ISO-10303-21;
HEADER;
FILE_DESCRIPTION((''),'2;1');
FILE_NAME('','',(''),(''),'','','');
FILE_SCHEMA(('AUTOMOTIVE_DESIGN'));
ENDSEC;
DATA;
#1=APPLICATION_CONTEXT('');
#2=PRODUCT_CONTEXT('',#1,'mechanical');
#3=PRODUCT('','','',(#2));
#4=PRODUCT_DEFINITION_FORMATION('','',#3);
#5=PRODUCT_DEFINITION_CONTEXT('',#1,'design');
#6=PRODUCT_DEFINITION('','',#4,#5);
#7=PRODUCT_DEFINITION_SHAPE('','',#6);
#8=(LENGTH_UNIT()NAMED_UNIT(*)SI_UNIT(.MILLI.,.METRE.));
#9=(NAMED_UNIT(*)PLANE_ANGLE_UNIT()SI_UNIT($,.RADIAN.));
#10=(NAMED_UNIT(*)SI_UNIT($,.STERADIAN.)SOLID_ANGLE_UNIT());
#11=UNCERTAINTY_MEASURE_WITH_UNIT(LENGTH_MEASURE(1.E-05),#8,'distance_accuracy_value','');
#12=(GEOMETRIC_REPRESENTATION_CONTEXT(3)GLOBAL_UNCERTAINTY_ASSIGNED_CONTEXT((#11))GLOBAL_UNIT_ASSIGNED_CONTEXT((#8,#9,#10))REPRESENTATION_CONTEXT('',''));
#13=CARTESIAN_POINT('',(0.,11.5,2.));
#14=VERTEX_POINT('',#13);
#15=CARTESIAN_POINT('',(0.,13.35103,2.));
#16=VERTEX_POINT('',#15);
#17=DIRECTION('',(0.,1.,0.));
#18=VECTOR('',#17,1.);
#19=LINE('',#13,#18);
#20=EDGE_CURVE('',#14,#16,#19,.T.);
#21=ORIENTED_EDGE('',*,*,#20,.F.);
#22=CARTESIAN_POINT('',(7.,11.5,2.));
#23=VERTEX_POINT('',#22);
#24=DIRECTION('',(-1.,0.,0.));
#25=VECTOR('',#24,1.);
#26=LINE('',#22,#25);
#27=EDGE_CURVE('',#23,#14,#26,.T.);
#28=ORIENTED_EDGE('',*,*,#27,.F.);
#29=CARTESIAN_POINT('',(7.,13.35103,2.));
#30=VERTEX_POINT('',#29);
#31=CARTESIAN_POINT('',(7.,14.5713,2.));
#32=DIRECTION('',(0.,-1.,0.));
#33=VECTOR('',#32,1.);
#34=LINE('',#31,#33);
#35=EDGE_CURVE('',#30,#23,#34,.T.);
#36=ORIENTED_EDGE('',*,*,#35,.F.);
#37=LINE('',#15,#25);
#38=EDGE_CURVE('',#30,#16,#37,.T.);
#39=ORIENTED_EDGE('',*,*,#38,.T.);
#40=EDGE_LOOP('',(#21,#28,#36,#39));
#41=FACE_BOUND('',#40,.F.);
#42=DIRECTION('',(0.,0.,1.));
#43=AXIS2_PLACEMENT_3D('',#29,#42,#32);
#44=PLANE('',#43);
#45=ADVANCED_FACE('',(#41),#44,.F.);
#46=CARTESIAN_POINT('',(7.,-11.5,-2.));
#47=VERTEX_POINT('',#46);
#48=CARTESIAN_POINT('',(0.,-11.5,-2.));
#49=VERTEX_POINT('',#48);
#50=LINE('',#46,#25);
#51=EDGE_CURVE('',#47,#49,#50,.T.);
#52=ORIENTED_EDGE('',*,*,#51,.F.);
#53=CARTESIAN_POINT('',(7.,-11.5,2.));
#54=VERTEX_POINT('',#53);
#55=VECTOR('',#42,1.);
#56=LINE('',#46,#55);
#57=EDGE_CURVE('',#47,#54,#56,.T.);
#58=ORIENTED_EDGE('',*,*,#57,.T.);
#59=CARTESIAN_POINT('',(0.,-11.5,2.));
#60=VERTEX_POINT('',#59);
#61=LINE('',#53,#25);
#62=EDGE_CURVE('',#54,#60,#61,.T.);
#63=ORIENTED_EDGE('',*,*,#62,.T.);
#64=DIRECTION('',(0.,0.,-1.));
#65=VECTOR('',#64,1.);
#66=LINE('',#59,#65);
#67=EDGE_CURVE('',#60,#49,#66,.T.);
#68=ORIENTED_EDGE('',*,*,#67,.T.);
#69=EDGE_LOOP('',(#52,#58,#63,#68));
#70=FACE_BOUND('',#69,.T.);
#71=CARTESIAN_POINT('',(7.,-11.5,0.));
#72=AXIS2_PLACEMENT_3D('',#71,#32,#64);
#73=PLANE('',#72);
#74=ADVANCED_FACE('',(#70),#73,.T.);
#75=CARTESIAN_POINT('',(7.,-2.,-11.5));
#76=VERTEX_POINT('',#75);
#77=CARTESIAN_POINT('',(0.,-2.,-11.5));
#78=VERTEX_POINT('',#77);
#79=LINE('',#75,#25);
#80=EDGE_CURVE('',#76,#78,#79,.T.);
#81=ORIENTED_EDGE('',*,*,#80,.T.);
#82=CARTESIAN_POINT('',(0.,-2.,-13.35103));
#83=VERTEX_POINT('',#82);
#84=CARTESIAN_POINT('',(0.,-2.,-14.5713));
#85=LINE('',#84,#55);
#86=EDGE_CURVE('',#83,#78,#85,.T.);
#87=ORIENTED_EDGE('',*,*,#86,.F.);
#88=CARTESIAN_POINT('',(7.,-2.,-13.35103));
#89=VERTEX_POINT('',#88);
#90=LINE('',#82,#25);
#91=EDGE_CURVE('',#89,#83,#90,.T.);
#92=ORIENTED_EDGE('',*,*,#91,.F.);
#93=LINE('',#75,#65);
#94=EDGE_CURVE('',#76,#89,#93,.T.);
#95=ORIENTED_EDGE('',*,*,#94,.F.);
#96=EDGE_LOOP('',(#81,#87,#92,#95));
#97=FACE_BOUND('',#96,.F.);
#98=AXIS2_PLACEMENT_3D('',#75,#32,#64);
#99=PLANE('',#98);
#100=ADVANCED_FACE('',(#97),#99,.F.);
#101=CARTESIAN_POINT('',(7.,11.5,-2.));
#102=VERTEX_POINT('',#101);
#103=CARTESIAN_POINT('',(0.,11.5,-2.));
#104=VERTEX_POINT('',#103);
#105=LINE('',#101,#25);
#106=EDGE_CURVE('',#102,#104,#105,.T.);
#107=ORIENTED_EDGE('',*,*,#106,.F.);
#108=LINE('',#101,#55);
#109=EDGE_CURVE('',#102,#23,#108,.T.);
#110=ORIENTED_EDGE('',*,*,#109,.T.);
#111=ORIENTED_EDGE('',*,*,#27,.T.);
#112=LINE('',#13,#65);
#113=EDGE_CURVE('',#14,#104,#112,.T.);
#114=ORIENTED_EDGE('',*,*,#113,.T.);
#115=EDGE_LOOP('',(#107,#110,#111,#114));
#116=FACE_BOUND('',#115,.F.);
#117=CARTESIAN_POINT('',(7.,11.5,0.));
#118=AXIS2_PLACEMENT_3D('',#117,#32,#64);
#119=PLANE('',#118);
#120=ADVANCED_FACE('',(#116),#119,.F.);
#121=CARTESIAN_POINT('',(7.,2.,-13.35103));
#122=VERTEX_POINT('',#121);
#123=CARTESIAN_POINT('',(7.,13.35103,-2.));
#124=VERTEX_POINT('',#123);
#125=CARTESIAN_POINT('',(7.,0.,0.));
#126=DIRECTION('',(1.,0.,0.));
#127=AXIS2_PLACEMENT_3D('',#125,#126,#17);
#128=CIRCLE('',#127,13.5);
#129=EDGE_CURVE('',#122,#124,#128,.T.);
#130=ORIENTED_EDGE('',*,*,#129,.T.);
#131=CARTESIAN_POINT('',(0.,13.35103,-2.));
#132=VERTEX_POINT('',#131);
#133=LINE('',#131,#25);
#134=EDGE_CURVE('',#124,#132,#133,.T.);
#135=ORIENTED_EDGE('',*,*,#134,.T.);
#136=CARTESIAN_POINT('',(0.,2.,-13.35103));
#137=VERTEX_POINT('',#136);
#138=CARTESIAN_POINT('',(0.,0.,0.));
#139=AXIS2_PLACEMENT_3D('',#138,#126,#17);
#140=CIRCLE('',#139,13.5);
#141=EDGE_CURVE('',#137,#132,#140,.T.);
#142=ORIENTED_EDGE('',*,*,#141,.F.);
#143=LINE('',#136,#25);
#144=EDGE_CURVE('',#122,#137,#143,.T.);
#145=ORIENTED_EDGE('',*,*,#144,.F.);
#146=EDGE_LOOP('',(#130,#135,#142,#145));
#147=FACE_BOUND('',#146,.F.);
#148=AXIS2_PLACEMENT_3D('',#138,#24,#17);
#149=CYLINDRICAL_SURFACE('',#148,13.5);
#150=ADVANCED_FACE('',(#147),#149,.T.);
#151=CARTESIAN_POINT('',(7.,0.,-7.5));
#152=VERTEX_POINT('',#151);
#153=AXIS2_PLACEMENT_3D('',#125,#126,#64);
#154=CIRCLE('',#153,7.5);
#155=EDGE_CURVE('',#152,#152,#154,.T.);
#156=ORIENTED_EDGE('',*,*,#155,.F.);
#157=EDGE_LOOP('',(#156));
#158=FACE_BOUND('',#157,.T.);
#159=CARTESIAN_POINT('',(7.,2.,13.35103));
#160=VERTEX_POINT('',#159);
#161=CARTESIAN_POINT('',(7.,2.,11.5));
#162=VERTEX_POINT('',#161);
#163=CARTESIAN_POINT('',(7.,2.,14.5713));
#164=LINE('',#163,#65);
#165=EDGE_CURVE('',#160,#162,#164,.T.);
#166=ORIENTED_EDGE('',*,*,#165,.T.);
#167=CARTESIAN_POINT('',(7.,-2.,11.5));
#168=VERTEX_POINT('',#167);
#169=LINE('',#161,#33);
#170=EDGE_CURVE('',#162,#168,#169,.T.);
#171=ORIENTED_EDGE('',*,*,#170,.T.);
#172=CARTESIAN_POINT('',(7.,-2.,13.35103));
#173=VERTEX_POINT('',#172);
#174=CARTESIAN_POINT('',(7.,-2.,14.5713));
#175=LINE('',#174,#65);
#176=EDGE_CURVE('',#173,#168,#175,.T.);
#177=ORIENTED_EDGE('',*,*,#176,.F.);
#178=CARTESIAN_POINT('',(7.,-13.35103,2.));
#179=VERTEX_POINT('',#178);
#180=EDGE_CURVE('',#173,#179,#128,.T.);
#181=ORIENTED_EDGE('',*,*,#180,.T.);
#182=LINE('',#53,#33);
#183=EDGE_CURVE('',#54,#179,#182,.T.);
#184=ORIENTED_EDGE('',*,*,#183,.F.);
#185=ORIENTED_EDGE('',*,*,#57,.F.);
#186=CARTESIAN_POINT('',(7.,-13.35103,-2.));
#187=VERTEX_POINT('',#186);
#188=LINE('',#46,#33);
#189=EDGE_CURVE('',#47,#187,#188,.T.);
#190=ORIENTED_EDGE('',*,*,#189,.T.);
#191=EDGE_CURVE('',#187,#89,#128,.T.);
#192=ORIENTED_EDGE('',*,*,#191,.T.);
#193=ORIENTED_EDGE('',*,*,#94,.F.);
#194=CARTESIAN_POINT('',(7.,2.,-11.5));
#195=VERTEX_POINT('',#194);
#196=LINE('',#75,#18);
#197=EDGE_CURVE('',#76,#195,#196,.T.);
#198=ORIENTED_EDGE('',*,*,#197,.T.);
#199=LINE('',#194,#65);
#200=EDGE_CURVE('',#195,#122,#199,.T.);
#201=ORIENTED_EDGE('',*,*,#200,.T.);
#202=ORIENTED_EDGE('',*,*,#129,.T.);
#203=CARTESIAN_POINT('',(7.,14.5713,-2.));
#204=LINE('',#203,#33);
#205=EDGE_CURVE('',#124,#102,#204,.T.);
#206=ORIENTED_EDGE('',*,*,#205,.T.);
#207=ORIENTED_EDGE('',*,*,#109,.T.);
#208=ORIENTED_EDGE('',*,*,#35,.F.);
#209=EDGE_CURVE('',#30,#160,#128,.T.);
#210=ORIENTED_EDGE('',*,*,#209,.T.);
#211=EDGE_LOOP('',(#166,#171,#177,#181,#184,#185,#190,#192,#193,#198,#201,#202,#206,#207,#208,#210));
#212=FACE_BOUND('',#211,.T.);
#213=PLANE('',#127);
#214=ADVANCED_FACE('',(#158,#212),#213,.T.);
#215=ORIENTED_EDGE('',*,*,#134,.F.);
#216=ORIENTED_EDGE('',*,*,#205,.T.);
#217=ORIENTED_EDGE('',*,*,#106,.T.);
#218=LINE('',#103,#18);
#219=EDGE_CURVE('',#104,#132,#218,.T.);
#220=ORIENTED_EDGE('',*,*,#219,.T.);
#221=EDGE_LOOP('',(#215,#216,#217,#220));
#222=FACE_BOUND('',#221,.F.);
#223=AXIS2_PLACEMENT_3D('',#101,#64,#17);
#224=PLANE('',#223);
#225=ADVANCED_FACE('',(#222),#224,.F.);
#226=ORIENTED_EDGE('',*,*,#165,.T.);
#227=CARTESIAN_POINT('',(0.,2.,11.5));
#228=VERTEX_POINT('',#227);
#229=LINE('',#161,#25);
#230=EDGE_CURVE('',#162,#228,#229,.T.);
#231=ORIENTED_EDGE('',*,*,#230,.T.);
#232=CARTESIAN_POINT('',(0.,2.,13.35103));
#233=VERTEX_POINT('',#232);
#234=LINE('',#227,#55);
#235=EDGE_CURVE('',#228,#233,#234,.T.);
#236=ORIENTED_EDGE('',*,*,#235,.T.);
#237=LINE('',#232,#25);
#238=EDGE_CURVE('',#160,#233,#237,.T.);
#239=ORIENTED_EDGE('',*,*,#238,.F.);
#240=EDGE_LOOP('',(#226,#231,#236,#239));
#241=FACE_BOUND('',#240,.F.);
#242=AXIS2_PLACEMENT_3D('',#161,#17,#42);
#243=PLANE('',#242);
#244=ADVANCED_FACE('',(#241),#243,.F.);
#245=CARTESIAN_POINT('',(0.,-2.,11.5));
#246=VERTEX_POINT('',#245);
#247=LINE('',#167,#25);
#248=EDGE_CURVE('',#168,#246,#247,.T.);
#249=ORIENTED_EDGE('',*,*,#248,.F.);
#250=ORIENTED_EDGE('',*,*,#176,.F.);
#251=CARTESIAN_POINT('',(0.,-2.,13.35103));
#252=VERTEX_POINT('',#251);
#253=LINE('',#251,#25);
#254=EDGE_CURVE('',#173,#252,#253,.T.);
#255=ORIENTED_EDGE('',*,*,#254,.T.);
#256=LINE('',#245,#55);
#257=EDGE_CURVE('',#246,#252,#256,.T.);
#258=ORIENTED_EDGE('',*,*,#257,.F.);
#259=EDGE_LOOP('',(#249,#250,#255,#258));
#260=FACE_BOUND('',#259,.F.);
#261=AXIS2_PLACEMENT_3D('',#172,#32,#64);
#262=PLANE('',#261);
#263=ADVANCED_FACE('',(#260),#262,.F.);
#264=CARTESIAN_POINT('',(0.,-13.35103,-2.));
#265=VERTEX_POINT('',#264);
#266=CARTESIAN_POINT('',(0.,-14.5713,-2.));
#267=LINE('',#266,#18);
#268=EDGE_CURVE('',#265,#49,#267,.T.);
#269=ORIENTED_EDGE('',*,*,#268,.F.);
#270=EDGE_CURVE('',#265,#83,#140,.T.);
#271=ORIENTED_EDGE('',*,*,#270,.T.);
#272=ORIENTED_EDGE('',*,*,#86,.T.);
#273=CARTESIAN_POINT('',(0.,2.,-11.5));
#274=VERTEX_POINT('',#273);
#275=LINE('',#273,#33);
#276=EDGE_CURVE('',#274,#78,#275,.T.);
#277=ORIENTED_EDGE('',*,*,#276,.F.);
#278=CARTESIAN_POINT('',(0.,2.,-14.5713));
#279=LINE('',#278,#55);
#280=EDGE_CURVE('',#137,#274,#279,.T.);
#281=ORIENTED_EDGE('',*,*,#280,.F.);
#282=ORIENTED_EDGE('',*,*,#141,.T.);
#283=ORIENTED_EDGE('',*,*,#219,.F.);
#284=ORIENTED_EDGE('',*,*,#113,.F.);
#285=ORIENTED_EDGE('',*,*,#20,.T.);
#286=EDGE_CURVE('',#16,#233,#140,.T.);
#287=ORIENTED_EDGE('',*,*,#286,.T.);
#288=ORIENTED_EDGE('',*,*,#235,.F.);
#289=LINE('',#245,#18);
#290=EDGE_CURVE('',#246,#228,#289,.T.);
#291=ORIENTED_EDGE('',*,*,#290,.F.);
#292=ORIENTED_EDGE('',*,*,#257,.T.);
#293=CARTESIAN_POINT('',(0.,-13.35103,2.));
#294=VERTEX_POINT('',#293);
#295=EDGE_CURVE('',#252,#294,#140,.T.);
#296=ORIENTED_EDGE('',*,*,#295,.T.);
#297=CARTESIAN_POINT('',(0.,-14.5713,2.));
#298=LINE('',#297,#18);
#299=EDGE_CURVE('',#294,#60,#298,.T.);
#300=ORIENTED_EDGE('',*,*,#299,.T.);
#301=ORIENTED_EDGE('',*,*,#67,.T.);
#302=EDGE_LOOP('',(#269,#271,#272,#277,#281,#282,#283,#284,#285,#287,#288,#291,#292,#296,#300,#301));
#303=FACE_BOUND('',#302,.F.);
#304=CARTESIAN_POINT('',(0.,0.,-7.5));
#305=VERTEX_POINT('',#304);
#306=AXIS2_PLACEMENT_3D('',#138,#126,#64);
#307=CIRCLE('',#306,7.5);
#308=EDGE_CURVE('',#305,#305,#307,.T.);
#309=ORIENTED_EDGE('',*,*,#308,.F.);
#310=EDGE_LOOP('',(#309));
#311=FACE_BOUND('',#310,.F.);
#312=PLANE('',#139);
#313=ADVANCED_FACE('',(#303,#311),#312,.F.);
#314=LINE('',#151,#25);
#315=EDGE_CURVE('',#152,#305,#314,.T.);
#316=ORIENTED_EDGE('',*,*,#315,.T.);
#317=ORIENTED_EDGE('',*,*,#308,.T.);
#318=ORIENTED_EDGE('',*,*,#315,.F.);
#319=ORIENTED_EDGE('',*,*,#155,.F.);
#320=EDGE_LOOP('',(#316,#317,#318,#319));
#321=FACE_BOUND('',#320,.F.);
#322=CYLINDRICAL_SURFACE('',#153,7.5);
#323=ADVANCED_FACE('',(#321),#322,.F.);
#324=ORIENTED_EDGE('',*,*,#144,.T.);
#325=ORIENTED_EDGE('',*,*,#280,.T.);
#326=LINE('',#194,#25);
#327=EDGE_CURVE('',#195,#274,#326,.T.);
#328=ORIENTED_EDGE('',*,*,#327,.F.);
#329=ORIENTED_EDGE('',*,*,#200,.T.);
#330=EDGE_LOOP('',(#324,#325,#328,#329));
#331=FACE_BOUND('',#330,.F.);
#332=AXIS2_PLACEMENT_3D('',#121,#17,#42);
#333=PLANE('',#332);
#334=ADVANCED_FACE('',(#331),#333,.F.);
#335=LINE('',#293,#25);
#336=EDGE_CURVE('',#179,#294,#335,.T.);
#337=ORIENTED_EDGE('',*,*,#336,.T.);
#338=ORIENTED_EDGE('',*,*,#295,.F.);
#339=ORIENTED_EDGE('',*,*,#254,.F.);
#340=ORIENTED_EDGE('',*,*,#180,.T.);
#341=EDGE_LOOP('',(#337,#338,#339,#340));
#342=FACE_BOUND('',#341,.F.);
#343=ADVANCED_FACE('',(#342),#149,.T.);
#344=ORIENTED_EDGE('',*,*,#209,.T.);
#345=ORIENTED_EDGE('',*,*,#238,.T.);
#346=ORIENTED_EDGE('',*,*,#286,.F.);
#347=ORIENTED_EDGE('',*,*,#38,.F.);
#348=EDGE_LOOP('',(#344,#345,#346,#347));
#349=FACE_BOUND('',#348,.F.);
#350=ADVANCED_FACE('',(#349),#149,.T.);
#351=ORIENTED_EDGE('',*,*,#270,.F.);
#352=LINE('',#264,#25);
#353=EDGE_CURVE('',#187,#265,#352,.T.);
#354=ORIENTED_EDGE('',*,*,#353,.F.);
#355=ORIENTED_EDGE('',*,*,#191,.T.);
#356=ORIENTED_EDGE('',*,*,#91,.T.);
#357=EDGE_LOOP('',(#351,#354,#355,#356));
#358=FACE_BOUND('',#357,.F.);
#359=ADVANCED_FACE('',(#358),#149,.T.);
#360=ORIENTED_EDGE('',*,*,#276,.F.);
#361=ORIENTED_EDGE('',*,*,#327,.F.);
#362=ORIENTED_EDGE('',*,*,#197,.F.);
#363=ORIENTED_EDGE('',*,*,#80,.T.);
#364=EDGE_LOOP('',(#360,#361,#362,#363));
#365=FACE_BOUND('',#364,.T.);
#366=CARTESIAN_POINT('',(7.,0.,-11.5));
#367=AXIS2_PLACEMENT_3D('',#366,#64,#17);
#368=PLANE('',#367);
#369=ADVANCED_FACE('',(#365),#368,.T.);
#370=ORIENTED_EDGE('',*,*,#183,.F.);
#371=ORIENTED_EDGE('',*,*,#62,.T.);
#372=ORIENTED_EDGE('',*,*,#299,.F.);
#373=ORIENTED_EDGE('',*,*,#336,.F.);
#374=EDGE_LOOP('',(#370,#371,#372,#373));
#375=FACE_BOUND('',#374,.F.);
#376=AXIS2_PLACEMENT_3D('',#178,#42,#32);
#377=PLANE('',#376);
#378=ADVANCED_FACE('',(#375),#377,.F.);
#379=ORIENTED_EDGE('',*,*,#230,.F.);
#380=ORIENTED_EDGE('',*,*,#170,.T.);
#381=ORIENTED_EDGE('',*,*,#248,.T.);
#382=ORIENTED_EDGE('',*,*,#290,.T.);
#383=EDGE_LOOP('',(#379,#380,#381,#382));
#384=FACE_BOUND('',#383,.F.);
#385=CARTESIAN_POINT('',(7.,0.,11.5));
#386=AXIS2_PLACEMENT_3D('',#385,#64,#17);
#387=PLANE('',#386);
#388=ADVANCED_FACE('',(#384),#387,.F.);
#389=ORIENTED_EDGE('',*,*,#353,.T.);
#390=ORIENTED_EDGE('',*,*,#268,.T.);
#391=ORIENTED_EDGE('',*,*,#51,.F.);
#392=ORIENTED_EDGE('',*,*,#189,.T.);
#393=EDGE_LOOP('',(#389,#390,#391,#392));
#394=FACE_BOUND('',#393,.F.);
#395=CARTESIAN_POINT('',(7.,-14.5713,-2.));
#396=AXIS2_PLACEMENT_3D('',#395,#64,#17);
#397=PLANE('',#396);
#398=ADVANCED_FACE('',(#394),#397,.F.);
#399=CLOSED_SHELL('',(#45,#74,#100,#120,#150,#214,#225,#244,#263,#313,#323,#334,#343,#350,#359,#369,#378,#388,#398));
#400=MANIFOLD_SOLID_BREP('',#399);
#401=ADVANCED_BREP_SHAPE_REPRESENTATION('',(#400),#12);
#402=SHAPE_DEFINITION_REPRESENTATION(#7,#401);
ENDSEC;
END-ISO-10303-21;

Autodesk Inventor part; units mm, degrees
ref_plane "YZ Plane" through (0, 0, 0) normal (1, 0, 0) x (0, 1, 0)
ref_plane "XZ Plane" through (0, 0, 0) normal (0, 1, 0) x (-1, 0, 0)
ref_plane "XY Plane" through (0, 0, 0) normal (0, 0, 1) x (1, 0, 0)
sketch "Sketch1" plane through (0, 0, 0) normal (1, 0, 0) x (0, 1, 0)
  circle A0 centre (0, 0) radius 13.5
  dimension "d0" = 27
extrude "Extrusion1" add sketch "Sketch1" along normal blind 7
sketch "Sketch2" plane through (7, 0, 0) normal (1, 0, 0) x (0, 0, -1)
  circle A0 centre (0, 0) radius 7.5
  dimension "d3" = 15
extrude "Extrusion2" cut sketch "Sketch2" against normal blind 7
thread "Thread1" size "M15x1.5" class "6H" standard "ISO Metric profile" length 13
sketch "Sketch3" plane through (7, 0, 0) normal (1, 0, 0) x (0, 0, -1)
  circle A0 centre (0, 0) radius 13.5 projected
  line L0 (0, 13.5) -> (0, 11.5)
  line L1 (0, 11.5) -> (-2, 11.5)
  line L2 (-2, 11.5) -> (2, 11.5)
  line L3 (2, 11.5) -> (2, 14.5713)
  line L4 (2, 14.5713) -> (-2, 14.5713)
  line L5 (-2, 14.5713) -> (-2, 11.5)
  line L6 (-13.5, 0) -> (-11.5, 0)
  line L7 (-11.5, 0) -> (-11.5, -2)
  line L8 (-11.5, -2) -> (-11.5, 2)
  line L9 (-11.5, 2) -> (-14.5713, 2)
  line L10 (-14.5713, 2) -> (-14.5713, -2)
  line L11 (-14.5713, -2) -> (-11.5, -2)
  line L12 (0, -13.5) -> (0, -11.5)
  line L13 (0, -11.5) -> (2, -11.5)
  line L14 (2, -11.5) -> (-2, -11.5)
  line L15 (-2, -11.5) -> (-2, -14.5713)
  line L16 (-2, -14.5713) -> (2, -14.5713)
  line L17 (2, -14.5713) -> (2, -11.5)
  line L18 (13.5, 0) -> (11.5, 0)
  line L19 (11.5, 0) -> (11.5, 2)
  line L20 (11.5, 2) -> (11.5, -2)
  line L21 (11.5, -2) -> (14.5713, -2)
  line L22 (14.5713, -2) -> (14.5713, 2)
  line L23 (14.5713, 2) -> (11.5, 2)
  dimension "d8" = 2
  dimension "d9" = 2
  dimension "d10" = 4
  dimension "d13" = 360
extrude "Extrusion3" cut sketch "Sketch3" against normal blind 7 contours L18 L19 L23 A0 | A0 L23 L22 L21 | A0 L21 L20 L18 | L3 L2 L0 A0 | A0 L5 L4 L3 | L17 L16 L15 A0 | A0 L12 L13 L17 | L0 L1 L5 A0 | A0 L15 L14 L12 | L9 L8 L6 A0 | A0 L11 L10 L9 | A0 L6 L7 L11
properties part number "8. LockNutM15" material "Polyethylene, High Density"
